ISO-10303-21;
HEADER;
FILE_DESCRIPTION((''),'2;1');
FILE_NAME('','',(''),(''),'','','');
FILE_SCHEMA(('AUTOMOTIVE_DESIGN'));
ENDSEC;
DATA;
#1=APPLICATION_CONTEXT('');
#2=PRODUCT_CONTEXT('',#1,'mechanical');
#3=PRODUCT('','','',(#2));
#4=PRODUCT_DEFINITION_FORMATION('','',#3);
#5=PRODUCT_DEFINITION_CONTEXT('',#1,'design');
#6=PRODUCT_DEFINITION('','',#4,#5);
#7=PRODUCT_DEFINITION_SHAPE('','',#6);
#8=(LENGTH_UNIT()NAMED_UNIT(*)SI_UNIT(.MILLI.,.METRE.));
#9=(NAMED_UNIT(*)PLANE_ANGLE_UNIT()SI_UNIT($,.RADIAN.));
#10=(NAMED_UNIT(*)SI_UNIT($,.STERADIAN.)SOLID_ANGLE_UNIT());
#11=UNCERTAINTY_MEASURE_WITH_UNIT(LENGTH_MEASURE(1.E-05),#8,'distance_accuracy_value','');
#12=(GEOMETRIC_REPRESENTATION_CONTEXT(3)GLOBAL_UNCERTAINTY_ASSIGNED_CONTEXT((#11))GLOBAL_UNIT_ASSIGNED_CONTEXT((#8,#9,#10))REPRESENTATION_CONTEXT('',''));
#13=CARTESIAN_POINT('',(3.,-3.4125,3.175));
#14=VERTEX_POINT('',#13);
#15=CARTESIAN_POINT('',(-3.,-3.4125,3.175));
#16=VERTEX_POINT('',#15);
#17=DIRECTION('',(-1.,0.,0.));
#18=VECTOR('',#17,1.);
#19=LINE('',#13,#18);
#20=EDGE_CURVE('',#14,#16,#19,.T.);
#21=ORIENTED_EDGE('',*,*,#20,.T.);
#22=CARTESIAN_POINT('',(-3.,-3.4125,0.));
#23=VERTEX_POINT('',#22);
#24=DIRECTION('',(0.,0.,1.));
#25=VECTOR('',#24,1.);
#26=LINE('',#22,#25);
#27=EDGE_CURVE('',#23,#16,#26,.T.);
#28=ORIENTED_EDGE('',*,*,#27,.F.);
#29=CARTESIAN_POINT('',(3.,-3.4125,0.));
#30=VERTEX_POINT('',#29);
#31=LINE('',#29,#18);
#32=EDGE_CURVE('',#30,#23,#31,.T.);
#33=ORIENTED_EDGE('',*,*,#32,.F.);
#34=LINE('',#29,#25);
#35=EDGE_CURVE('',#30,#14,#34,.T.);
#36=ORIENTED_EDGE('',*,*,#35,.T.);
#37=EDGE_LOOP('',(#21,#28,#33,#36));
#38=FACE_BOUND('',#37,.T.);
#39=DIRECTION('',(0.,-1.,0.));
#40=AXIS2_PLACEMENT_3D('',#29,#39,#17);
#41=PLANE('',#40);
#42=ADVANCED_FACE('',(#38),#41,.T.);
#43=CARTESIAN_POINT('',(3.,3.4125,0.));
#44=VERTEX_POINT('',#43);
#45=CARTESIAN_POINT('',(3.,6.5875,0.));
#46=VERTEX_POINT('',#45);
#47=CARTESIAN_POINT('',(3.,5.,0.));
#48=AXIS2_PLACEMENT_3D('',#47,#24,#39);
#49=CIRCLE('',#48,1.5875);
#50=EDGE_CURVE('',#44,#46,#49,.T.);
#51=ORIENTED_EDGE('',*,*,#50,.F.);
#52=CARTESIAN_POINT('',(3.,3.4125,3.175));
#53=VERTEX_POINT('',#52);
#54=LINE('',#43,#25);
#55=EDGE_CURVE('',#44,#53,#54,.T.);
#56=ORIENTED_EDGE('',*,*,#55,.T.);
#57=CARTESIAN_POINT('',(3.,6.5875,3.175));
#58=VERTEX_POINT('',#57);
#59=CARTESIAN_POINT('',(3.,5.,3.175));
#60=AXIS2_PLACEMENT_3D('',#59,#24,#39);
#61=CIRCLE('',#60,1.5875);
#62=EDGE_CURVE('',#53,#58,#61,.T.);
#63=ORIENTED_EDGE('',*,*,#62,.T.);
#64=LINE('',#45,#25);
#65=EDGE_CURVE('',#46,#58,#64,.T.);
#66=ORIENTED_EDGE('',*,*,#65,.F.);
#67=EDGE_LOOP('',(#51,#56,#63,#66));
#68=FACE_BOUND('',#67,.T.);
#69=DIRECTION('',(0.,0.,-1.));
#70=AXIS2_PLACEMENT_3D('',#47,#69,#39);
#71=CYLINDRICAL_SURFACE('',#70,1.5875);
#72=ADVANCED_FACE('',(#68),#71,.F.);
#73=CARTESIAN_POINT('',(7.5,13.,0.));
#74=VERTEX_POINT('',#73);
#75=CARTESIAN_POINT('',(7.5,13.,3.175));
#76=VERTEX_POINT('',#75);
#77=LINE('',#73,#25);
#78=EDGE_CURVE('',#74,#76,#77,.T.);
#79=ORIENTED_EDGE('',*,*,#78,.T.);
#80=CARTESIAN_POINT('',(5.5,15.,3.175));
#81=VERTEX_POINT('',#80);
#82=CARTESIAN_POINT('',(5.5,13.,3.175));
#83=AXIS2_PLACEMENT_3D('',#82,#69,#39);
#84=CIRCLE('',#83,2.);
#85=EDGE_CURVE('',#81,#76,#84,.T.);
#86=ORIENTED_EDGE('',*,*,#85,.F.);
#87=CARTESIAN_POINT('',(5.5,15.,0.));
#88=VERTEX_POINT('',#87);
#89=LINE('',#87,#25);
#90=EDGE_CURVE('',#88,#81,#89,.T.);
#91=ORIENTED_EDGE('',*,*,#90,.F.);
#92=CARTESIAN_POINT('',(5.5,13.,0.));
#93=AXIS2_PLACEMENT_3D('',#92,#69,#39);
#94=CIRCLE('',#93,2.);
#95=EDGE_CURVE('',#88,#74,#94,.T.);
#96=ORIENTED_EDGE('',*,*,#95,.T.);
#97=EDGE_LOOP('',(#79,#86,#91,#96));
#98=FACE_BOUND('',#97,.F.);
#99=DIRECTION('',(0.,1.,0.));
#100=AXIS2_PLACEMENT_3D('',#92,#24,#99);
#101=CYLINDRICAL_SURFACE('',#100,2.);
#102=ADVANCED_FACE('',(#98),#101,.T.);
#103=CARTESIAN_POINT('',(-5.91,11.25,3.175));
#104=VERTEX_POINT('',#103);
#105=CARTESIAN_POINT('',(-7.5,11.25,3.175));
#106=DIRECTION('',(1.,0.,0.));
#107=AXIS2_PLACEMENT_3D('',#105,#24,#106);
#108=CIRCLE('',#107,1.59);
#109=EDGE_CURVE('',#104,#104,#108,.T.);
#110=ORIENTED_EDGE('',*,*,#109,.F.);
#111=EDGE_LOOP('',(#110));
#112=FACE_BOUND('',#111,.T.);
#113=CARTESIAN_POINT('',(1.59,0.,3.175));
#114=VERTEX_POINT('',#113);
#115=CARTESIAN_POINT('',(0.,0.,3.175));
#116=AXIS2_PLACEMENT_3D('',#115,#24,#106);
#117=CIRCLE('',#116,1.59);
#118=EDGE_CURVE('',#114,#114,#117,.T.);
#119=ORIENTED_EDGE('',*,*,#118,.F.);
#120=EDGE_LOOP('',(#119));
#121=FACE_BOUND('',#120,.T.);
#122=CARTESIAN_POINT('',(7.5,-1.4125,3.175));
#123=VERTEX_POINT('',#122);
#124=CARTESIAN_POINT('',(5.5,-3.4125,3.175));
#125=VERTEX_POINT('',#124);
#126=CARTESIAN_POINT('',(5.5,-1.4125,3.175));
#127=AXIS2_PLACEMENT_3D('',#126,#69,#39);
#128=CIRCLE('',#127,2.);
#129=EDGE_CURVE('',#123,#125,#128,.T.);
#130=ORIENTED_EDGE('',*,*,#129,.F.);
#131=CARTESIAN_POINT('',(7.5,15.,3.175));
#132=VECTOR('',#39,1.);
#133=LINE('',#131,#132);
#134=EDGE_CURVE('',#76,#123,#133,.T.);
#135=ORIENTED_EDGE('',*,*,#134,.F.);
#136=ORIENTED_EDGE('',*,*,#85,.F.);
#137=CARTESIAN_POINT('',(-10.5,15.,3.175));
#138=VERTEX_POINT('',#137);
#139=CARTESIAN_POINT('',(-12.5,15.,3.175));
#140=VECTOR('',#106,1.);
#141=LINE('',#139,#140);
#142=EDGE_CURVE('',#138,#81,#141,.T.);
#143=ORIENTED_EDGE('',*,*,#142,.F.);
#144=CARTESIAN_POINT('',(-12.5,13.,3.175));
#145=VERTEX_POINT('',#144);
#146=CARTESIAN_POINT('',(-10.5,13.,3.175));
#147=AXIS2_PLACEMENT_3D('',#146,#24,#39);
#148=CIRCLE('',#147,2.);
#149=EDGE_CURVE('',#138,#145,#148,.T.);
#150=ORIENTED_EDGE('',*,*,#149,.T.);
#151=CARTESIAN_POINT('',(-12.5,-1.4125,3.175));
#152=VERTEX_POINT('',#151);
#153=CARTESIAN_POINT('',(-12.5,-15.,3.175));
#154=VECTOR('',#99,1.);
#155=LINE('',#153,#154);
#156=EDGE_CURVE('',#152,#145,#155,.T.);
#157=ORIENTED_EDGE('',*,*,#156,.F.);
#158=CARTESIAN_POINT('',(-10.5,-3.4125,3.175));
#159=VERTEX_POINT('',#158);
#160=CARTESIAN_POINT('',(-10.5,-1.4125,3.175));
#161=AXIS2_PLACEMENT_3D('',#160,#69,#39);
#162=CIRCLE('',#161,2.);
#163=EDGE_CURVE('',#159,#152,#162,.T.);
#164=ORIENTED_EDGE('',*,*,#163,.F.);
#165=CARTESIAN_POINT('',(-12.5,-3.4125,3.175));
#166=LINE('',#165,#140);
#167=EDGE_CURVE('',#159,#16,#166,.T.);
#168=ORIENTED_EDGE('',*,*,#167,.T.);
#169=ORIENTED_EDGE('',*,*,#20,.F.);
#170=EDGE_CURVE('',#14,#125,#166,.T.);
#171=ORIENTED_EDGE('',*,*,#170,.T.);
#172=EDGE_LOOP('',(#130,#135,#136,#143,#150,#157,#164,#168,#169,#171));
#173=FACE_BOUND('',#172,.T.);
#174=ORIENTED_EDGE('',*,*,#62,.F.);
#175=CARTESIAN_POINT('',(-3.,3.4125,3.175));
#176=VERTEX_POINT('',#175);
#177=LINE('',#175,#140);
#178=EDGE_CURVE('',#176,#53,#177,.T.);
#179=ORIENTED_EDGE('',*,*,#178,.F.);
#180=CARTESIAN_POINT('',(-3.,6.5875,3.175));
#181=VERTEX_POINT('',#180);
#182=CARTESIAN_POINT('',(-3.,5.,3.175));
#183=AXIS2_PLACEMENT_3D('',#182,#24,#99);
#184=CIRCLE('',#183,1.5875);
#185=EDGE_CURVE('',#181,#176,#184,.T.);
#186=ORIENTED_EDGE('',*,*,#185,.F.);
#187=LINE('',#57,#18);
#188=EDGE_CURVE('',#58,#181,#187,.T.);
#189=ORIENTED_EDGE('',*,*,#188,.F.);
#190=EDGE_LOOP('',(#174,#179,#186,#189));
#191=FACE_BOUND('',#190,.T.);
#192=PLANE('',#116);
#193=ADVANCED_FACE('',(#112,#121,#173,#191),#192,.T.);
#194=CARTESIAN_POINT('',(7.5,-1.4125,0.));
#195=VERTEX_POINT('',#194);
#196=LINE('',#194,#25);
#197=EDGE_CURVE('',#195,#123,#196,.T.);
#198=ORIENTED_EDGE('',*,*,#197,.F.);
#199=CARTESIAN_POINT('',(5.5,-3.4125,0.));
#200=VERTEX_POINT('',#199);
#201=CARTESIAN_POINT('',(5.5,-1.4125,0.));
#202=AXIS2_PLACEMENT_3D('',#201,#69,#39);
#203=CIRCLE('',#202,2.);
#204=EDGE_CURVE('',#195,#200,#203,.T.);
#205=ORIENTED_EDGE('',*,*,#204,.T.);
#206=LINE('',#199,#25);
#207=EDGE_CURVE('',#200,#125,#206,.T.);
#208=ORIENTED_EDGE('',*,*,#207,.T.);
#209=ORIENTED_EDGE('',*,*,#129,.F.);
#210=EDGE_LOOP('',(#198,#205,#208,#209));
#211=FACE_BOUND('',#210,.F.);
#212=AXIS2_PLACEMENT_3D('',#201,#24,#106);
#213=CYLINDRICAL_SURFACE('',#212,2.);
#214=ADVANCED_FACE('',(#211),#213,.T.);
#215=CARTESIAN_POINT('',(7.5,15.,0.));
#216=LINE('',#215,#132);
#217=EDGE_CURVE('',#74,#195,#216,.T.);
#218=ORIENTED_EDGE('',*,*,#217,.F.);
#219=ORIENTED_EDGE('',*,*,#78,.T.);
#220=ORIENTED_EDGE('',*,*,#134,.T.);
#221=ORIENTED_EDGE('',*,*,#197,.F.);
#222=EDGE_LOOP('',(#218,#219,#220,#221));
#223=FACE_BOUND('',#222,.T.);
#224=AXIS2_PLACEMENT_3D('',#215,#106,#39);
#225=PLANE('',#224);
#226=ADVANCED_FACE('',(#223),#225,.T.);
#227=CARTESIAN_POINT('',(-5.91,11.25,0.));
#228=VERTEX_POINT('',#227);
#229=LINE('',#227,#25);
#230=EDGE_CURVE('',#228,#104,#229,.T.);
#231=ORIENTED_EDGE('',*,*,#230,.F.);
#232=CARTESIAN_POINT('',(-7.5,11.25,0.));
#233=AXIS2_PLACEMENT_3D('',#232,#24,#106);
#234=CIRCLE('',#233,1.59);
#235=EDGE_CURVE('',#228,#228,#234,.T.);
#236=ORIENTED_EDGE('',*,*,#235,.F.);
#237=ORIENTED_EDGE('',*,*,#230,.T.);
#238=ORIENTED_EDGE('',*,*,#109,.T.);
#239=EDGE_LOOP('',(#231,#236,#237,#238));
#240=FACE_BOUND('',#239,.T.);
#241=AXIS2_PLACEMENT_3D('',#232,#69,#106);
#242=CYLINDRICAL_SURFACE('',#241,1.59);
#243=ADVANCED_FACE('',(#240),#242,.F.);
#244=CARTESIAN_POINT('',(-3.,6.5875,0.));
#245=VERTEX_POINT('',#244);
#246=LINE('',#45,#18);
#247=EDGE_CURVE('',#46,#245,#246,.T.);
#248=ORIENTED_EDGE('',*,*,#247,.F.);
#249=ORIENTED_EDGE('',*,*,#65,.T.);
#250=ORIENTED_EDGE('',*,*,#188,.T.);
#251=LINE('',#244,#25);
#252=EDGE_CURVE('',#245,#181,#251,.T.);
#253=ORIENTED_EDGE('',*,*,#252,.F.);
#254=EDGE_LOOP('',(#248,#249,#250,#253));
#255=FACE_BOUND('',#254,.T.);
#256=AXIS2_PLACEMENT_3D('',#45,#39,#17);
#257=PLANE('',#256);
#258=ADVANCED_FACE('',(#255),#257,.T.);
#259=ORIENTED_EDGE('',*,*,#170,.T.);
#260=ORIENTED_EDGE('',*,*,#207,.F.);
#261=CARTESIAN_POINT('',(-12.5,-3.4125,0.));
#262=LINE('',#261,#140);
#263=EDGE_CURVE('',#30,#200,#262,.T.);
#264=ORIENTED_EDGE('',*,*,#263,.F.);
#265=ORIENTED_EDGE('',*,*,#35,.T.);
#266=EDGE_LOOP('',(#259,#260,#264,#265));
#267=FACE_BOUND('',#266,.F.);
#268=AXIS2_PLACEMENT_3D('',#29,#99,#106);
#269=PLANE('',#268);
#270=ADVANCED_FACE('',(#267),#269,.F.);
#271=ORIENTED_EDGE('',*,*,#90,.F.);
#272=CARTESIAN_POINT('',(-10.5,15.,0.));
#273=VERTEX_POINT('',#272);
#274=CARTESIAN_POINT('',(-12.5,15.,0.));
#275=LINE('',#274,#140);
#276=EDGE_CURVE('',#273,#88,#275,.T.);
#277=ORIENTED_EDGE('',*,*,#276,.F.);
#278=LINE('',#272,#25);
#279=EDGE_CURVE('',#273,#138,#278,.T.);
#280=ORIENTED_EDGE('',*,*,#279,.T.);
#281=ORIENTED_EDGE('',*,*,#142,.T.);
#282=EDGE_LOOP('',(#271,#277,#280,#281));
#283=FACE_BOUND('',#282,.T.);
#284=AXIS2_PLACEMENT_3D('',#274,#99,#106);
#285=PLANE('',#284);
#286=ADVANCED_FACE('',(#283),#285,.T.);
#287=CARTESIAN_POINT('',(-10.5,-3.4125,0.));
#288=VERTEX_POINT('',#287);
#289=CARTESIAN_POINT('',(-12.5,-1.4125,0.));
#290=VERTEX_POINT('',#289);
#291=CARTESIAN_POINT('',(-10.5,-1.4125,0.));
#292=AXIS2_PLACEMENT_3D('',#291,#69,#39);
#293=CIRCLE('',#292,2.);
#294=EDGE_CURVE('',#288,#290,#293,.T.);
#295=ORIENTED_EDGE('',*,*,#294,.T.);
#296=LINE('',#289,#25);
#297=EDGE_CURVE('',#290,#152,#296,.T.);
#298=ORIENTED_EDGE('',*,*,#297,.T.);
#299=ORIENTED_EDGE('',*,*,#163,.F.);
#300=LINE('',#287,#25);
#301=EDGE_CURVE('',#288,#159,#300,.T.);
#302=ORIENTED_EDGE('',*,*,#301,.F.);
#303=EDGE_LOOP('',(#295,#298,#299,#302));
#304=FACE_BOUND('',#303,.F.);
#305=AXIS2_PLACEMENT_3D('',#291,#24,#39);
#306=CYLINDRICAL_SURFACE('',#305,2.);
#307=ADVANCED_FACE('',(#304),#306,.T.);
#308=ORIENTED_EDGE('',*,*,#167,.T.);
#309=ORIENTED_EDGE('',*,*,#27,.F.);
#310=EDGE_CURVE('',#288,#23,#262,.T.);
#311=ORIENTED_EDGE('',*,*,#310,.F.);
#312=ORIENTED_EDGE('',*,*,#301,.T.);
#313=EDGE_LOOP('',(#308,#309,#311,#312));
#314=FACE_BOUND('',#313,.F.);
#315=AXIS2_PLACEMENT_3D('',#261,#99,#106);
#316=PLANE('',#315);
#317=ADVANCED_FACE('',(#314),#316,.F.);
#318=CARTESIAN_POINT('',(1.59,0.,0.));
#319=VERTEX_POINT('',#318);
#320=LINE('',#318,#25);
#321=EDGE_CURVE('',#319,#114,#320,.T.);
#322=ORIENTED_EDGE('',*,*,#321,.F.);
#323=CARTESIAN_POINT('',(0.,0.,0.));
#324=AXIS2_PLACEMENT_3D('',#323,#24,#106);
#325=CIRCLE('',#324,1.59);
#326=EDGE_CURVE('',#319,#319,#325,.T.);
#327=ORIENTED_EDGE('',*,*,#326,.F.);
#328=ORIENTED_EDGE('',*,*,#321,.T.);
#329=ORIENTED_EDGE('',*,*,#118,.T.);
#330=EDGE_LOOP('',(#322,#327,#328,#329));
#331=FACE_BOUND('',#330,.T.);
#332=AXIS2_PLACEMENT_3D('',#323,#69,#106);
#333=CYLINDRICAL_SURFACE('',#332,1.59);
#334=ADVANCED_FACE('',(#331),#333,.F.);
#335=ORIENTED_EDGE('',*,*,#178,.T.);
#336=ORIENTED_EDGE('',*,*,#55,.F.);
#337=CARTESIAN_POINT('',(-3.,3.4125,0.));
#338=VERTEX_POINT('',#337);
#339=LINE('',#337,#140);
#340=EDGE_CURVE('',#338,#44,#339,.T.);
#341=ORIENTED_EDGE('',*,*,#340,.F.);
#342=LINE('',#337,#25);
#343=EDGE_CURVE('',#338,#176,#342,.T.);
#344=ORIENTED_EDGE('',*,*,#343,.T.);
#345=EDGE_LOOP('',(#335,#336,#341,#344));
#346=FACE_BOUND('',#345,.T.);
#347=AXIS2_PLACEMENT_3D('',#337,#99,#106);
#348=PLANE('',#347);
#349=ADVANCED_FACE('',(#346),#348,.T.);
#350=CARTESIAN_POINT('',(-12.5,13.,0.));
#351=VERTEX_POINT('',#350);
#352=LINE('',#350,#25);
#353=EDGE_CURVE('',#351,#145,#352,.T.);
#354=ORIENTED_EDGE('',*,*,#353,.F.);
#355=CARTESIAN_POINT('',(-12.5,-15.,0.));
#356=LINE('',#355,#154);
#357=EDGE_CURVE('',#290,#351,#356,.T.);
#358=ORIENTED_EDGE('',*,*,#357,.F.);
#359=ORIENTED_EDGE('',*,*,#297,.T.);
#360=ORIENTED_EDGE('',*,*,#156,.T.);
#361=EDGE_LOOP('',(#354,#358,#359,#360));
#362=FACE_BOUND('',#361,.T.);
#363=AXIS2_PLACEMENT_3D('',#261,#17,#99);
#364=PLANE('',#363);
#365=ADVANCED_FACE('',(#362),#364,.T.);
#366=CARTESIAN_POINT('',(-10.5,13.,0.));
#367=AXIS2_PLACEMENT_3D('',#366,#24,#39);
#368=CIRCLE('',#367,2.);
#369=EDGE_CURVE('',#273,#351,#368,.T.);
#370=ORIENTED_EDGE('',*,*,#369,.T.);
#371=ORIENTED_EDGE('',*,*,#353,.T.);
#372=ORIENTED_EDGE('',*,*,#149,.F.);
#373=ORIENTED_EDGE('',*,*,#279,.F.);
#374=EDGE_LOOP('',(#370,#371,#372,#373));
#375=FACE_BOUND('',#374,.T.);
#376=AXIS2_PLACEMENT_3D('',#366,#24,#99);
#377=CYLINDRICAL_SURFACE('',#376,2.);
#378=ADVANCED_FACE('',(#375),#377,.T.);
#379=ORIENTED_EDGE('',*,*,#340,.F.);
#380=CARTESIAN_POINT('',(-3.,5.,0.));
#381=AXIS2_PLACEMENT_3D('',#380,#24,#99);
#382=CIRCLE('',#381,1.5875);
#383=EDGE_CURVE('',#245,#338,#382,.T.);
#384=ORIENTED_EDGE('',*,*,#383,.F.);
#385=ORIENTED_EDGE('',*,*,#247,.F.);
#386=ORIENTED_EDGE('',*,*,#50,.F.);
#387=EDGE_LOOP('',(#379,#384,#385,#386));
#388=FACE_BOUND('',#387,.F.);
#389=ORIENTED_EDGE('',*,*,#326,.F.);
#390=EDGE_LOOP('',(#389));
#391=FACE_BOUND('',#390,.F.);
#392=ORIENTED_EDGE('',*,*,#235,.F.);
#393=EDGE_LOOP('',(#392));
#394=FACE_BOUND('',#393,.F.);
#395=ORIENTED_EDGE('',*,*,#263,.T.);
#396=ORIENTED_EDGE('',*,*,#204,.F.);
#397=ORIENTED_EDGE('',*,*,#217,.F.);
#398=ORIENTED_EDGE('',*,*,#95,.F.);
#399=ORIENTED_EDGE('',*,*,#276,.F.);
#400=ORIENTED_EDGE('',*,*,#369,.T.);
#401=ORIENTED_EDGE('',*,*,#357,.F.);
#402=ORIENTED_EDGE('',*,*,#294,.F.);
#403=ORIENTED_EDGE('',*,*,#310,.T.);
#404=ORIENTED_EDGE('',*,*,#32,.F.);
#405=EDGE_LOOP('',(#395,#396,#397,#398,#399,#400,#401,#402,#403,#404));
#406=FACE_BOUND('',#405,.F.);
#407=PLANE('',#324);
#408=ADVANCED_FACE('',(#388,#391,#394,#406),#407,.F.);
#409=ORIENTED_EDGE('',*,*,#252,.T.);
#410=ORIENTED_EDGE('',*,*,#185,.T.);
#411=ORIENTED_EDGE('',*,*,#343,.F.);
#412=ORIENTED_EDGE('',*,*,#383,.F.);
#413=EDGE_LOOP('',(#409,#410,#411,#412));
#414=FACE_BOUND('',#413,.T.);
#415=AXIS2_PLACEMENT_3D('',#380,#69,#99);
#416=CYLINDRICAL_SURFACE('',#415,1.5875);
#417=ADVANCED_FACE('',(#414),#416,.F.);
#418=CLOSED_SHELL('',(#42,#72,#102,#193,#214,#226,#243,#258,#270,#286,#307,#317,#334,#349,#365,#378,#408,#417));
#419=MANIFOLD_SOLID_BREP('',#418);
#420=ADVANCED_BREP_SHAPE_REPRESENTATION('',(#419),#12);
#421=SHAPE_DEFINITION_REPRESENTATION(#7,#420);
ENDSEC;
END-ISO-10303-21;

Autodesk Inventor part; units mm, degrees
ref_plane "YZ Plane" through (0, 0, 0) normal (1, 0, 0) x (0, 1, 0)
ref_plane "XZ Plane" through (0, 0, 0) normal (0, 1, 0) x (-1, 0, 0)
ref_plane "XY Plane" through (0, 0, 0) normal (0, 0, 1) x (1, 0, 0)
sketch "Sketch1" plane through (0, 0, 0) normal (0, 0, 1) x (1, 0, 0)
  circle A0 centre (0, 0) radius 1.59
  line L0 (-12.5, 15) -> (7.5, 15)
  line L1 (7.5, 15) -> (7.5, -15)
  line L2 (7.5, -15) -> (-12.5, -15)
  line L3 (-12.5, -15) -> (-12.5, 15)
  circle A1 centre (-7.5, 11.25) radius 1.59
  line L4 (-3, 5) -> (3, 5) construction
  line L5 (-3, 3.4125) -> (3, 3.4125)
  line L6 (3, 6.5875) -> (-3, 6.5875)
  arc A2 (-3, 6.5875) -> (-3, 3.4125) centre (-3, 5) ccw
  arc A3 (3, 3.4125) -> (3, 6.5875) centre (3, 5) ccw
  line L7 (-3, -5) -> (3, -5) construction
  line L8 (-3, -6.5875) -> (3, -6.5875)
  line L9 (3, -3.4125) -> (-3, -3.4125)
  arc A4 (-3, -3.4125) -> (-3, -6.5875) centre (-3, -5) ccw
  arc A5 (3, -6.5875) -> (3, -3.4125) centre (3, -5) ccw
  line L10 (-12.5, -3.4125) -> (7.5, -3.4125)
  point P0 (7.5, 0)
  point P1 (0, 5)
  point P2 (0, -5)
  point P3 (0, 0)
  dimension "d2" = 3.18
  dimension "d31" = 20
  dimension "d32" = 30
  dimension "d33" = 10
  dimension "d35" = 5
  dimension "d39" = 3.175
  dimension "d41" = 6
  dimension "d42" = 9.175
  dimension "d44" = 7.5
  dimension "d45" = 15
  dimension "d46" = 11.25
extrude "Extrusion1" add sketch "Sketch1" along normal blind 3.175 contours L0 L1 L10 L9 L3
fillet "Fillet1" radius 2 4 edges at (-12.5, 15, 1.5875) (7.5, 15, 1.5875) (7.5, -3.4125, 1.5875) (-12.5, -3.4125, 1.5875)
equation "\"d35\" = 0.5 * d33"
equation "\"d12\" = THICKA"
equation "\"THICKA\" = 3.175"
equation "\"THICKB\" = 6.731"
equation "\"THICKC\" = 12.7"
equation "\"MAGDIA\" = 9.5"
equation "\"BALLDIA\" = 12"
equation "\"THICKPLY\" = 5"
properties part number "Carriage_Joint_Beltflap"
